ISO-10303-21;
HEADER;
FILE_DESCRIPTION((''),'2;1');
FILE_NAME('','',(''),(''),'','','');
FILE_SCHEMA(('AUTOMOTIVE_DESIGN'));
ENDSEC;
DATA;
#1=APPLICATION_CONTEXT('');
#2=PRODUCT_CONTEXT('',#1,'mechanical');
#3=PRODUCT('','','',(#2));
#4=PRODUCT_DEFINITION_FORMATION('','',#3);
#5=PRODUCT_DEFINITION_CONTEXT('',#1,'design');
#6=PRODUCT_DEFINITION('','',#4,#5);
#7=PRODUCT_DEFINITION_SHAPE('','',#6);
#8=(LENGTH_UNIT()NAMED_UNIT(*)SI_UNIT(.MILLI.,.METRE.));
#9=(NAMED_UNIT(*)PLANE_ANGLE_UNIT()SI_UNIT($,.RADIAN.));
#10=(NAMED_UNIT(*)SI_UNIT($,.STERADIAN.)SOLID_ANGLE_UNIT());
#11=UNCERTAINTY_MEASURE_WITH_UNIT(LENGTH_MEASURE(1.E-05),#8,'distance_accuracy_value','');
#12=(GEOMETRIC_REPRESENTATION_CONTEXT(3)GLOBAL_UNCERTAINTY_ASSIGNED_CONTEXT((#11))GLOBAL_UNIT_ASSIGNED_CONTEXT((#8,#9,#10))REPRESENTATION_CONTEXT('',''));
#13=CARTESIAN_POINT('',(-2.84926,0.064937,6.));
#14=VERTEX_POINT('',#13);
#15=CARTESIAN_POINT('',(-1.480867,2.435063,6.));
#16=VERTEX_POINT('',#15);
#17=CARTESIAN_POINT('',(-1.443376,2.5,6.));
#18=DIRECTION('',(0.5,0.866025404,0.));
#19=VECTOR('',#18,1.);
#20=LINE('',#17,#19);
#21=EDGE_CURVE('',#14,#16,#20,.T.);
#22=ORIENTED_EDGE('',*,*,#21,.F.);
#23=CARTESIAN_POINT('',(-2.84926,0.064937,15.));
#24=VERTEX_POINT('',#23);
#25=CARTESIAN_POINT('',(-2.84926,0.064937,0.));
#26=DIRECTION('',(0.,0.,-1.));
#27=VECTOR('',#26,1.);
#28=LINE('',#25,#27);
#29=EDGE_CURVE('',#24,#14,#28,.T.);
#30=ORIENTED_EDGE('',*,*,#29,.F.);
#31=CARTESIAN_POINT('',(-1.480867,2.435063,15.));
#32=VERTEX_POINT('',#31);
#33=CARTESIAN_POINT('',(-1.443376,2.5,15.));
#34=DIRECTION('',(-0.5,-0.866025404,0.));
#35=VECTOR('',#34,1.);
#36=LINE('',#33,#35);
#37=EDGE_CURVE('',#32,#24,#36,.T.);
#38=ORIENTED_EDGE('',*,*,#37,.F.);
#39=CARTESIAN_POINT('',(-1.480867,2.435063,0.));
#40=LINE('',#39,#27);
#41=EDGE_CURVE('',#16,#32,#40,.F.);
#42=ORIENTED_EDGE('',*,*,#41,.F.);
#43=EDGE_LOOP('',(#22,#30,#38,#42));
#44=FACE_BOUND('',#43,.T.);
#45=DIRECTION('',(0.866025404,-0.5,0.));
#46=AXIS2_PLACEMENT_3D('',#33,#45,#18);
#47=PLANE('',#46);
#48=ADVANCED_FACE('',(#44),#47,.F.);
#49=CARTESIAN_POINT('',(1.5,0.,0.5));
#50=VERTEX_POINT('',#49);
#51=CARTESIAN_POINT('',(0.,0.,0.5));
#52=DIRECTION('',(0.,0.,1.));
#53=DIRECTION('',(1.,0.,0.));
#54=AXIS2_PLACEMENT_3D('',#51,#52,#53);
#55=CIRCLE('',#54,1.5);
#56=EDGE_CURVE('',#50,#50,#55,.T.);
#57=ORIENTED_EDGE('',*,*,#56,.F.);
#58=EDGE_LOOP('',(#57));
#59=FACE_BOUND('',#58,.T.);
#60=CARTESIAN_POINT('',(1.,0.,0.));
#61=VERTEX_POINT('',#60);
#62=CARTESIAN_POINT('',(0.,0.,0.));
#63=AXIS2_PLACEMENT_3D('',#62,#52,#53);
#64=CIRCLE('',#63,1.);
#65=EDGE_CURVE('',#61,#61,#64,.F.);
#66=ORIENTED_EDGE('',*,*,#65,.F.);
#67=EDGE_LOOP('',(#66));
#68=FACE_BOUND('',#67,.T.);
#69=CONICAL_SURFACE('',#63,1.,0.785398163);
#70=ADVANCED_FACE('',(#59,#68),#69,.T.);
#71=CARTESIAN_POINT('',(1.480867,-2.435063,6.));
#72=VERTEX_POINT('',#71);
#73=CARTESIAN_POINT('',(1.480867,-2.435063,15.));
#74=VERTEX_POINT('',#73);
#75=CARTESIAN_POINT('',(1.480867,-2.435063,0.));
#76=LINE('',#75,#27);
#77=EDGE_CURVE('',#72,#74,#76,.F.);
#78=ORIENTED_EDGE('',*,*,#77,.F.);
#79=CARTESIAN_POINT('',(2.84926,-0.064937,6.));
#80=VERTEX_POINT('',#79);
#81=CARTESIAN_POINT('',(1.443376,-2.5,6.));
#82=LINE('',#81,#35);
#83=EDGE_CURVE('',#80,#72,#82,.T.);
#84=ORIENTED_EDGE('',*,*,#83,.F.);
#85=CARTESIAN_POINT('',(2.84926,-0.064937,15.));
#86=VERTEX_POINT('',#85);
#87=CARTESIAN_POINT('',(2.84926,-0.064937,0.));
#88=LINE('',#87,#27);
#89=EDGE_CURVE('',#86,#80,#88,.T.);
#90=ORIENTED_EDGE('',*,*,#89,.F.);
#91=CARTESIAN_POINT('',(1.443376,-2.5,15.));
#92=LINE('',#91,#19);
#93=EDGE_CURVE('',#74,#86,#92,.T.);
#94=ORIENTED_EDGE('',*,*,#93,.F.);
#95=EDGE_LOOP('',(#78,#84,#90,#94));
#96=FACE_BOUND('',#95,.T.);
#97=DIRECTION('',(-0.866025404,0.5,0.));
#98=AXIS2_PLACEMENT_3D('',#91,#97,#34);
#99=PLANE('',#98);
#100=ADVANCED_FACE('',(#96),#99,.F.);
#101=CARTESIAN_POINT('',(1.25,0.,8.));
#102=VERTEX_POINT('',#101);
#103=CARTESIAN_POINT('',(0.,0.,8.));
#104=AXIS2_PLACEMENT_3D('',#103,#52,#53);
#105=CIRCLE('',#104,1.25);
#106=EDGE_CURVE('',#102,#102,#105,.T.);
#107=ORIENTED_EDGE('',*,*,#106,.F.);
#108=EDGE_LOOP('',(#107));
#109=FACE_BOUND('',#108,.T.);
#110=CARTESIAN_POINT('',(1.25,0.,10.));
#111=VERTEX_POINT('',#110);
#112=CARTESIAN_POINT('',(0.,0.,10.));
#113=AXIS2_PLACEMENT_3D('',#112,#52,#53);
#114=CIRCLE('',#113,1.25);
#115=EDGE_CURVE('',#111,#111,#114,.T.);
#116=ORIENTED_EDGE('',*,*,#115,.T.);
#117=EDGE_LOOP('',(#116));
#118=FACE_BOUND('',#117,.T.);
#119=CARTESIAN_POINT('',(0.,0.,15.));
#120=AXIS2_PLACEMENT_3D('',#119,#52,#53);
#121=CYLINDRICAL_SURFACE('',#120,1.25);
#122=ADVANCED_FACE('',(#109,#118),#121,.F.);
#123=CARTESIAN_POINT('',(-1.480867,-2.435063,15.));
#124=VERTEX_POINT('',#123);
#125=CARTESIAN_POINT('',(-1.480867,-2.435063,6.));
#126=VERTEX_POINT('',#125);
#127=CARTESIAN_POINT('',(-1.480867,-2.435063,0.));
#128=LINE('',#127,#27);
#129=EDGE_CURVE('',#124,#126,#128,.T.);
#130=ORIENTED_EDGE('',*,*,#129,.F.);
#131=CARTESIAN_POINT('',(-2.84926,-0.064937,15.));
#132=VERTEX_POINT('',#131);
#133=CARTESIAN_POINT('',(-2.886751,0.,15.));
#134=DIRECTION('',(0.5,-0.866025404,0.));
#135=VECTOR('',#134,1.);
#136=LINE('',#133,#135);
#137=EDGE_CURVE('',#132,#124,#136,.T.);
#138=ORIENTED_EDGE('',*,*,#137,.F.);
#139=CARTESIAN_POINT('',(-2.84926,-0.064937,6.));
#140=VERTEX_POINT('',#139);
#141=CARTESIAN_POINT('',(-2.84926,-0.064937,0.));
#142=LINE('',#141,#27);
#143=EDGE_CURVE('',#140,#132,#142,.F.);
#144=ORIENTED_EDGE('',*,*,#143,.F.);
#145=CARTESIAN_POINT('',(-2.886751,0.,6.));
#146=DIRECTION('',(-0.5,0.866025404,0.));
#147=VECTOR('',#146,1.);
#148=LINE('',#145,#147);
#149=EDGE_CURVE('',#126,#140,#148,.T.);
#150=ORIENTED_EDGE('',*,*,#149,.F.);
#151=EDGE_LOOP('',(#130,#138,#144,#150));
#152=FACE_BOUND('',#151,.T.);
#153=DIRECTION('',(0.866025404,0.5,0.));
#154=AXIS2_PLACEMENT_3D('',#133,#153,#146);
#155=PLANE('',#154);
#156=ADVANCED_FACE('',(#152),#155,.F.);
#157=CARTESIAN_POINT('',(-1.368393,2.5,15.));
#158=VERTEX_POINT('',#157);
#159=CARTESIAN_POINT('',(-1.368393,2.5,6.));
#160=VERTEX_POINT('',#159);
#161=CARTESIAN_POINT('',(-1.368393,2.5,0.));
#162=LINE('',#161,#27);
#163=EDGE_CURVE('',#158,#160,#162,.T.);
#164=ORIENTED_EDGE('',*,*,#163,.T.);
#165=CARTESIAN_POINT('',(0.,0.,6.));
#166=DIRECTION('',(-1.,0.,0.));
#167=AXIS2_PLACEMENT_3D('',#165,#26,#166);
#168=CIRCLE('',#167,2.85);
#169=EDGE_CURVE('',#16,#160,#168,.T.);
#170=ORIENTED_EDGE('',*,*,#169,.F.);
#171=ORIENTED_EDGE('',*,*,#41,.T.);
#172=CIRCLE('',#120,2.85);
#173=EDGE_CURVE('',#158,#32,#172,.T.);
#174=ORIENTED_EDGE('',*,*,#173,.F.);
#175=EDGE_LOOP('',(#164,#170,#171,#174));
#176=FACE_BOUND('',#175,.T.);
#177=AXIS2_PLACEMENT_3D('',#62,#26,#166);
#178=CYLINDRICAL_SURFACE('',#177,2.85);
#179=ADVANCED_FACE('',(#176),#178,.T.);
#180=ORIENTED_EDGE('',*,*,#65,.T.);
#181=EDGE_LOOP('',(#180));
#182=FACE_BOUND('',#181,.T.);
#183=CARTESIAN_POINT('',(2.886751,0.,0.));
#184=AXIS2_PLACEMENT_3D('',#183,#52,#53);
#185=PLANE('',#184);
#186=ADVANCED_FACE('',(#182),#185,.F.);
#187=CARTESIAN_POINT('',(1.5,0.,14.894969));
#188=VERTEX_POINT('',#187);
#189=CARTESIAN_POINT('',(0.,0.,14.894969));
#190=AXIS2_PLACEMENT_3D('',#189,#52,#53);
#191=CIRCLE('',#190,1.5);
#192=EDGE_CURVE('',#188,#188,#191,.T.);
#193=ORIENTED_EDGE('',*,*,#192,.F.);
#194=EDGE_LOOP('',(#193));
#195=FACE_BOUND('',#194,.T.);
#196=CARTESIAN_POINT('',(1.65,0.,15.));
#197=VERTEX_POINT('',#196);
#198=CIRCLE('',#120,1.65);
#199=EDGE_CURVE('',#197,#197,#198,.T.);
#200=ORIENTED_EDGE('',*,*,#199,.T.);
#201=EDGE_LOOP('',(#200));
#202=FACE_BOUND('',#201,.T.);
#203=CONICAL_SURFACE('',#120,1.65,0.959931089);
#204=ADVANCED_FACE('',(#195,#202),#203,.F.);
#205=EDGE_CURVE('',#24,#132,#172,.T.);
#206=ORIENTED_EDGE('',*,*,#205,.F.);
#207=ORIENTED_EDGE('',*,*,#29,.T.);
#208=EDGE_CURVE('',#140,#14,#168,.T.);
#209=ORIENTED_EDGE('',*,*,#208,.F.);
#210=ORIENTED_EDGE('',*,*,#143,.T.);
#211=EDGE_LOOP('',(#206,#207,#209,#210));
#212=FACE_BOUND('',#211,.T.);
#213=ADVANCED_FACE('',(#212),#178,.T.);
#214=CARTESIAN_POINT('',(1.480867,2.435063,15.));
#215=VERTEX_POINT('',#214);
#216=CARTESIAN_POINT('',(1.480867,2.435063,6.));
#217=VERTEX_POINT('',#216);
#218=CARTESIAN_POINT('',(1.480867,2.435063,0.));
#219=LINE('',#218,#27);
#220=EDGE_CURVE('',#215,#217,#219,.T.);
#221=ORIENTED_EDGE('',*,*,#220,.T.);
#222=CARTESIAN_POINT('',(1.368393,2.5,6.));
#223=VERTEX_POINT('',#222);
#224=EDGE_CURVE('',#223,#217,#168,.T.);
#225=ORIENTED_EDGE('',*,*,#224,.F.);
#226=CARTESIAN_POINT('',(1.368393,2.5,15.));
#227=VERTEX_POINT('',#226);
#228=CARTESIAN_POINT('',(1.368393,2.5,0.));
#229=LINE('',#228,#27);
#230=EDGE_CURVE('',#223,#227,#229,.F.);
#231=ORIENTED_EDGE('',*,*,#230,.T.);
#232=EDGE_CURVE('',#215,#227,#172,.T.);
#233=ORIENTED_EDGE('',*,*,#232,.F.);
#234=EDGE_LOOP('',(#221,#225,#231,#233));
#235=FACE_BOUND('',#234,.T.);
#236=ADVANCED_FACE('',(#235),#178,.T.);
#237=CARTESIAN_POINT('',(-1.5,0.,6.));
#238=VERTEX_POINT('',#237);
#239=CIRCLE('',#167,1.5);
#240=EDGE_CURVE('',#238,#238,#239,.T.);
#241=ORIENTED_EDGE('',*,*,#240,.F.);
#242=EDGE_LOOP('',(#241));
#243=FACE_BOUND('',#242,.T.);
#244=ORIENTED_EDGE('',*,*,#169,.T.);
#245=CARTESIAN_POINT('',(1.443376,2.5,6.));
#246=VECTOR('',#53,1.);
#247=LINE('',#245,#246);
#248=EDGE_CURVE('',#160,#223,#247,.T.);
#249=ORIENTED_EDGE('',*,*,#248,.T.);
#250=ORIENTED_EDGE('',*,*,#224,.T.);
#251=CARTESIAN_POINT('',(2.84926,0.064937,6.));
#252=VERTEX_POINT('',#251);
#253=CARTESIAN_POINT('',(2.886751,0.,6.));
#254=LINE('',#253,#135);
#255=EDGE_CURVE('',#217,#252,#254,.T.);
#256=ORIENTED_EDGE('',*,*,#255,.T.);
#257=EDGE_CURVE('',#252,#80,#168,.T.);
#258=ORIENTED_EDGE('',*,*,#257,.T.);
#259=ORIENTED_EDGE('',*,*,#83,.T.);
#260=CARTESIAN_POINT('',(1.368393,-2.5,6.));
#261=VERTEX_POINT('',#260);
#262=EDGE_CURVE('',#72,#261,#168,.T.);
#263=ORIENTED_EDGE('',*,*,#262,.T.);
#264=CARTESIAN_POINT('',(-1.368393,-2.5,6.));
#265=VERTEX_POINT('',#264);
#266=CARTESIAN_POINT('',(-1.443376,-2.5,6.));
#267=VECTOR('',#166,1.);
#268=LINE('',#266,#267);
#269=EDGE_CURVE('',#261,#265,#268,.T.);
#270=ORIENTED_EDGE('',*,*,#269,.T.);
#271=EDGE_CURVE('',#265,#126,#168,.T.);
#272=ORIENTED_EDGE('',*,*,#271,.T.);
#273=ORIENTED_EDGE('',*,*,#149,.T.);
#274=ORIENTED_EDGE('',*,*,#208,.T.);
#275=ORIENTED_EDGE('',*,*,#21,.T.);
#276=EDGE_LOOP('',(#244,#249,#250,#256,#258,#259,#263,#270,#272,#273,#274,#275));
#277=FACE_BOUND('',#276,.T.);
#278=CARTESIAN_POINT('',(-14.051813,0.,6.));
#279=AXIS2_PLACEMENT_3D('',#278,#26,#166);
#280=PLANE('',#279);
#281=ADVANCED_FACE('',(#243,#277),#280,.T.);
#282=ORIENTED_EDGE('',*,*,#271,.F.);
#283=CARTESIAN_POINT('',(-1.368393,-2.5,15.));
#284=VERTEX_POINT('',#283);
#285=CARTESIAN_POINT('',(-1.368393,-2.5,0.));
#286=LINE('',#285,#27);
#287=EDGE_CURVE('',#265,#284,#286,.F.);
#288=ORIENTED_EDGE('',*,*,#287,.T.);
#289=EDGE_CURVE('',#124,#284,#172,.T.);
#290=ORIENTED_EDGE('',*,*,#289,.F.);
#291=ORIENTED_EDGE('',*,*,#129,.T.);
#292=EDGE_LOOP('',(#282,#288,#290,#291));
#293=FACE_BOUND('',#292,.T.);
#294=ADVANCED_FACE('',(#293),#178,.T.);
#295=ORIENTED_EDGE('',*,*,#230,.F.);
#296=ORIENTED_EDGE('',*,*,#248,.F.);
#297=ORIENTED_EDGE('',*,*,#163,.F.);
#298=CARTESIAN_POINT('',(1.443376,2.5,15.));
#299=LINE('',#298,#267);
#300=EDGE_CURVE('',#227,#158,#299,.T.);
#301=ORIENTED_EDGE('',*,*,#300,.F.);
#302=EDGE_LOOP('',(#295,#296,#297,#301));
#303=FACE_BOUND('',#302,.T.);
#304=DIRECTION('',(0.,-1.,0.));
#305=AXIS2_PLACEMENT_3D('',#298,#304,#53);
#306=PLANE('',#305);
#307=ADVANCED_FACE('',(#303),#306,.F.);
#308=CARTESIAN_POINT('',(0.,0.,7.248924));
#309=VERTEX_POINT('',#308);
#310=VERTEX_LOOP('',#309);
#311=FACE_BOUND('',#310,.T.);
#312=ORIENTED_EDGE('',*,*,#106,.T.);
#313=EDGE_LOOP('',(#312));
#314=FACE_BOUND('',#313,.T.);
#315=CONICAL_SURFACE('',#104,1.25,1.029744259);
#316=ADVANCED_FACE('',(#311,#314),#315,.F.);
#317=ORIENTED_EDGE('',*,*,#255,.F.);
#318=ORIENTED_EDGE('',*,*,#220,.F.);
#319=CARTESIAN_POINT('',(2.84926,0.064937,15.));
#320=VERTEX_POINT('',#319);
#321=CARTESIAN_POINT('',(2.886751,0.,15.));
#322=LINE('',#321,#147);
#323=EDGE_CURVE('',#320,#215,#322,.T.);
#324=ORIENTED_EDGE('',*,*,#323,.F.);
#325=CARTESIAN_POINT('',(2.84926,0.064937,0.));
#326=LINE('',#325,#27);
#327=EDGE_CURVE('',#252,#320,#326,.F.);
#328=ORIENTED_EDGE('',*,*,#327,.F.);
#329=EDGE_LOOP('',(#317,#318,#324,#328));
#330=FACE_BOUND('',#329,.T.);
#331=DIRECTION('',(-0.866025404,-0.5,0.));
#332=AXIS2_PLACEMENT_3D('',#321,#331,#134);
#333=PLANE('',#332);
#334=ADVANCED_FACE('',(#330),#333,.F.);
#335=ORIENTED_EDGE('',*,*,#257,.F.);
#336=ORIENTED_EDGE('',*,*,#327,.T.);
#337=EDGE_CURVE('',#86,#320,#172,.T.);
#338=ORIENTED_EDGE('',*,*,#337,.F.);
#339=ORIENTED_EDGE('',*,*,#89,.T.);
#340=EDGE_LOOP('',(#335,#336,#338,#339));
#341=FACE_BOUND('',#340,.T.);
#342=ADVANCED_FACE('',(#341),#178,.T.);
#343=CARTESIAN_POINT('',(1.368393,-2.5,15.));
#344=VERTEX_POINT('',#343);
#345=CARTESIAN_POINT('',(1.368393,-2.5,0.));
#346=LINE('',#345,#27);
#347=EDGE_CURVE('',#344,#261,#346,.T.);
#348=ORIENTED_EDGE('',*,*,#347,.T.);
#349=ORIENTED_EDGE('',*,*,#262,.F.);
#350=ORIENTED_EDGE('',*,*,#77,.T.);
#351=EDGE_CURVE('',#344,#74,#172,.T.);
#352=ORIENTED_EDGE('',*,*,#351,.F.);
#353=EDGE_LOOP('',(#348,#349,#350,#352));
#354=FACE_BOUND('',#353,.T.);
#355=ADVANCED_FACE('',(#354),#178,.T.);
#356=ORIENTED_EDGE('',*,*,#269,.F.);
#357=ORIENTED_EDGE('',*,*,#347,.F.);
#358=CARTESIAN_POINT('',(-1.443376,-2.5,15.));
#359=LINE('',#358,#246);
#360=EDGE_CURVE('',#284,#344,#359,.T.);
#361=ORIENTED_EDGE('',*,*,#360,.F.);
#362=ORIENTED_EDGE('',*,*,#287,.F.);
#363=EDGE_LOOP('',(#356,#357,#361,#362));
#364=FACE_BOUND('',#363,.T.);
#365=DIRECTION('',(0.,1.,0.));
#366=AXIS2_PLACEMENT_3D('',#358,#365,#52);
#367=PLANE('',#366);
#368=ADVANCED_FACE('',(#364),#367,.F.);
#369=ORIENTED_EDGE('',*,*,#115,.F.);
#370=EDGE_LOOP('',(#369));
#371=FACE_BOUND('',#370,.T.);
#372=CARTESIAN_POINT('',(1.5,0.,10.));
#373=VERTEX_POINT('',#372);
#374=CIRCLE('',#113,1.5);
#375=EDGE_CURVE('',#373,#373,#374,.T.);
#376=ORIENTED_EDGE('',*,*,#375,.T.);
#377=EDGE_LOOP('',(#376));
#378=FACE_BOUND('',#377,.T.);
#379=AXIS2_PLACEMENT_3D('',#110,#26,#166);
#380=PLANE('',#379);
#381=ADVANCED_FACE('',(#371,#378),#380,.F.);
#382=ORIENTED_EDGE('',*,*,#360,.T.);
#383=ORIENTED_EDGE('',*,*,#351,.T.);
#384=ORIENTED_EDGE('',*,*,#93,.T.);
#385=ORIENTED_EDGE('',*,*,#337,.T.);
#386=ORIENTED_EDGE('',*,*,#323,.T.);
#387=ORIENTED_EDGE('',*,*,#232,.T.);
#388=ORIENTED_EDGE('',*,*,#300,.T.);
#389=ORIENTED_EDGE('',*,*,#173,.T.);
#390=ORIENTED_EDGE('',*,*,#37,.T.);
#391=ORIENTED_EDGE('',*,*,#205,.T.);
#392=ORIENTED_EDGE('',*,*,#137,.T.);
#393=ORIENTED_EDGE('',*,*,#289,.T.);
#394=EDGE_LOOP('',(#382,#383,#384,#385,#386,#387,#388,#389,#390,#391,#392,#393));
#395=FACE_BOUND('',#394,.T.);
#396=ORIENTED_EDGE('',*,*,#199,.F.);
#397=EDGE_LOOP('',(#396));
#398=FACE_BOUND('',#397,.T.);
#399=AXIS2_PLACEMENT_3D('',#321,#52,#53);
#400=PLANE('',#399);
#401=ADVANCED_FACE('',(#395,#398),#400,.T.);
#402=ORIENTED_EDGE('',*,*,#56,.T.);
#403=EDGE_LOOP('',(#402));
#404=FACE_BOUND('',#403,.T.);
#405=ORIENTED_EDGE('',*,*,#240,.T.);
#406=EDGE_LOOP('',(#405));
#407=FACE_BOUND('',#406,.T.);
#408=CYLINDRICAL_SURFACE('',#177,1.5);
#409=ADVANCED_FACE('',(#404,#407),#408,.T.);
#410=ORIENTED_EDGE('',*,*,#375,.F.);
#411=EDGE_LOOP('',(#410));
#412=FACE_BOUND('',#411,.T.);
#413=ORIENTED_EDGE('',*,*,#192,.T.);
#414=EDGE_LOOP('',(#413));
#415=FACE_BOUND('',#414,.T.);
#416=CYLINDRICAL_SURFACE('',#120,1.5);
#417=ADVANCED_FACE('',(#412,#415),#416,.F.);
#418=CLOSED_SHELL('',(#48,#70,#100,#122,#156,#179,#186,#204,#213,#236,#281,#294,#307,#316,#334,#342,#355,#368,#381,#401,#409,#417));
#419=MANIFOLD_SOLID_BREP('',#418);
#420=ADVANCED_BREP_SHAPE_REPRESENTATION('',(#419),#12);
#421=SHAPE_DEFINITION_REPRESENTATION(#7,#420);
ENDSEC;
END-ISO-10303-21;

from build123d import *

# Parameters (mm, degrees)
EXTRUDE_1_DEPTH = 15
CHAMFER_1_SIZE  = 0.5


with BuildPart() as part:
    # Эскиз1 → Бобышка-Вытянуть1 (new body)
    with BuildSketch(Plane.XY):
        Polygon((2.886751346, 0), (1.443375673, 2.5), (-1.443375673, 2.5), (-2.886751346, 0), (-1.443375673, -2.5), (1.443375673, -2.5), align=None)
    extrude(amount=EXTRUDE_1_DEPTH)

    # Эскиз3 → Вырез-Повернуть1 (revolve, cut)
    with BuildSketch(Plane(origin=(0, 0, 0), x_dir=(1, 0, 0), z_dir=(0, 1, 0))):
        Polygon((-2.886751346, 0), (-1.5, 0), (-1.5, -6), (-2.85, -6), (-2.85, -15), (-2.886751346, -15), align=None)
    revolve(axis=Axis((0, 0, 0), (0, 0, 1)), mode=Mode.SUBTRACT)

    # Фаска1
    chamfer_1_edges = [part.edges().sort_by_distance(p)[0] for p in [
        (1.5, 0, 0),
    ]]
    chamfer(chamfer_1_edges, length=CHAMFER_1_SIZE)

    # Эскиз4 → Отверстие обработанное метчиком M31 (revolve, cut)
    with BuildSketch(Plane(origin=(0, 0, 15), x_dir=(0, -1, 0), z_dir=(1, 0, 0))):
        Polygon((0, 0), (0, 7.751075774), (1.25, 7), (1.25, 5), (1.5, 5), (1.5, 0.105031131), (1.65, 0), align=None)
    revolve(axis=Axis((0, 0, 21.35), (0, 0, -1)), mode=Mode.SUBTRACT)


solid = part.part
